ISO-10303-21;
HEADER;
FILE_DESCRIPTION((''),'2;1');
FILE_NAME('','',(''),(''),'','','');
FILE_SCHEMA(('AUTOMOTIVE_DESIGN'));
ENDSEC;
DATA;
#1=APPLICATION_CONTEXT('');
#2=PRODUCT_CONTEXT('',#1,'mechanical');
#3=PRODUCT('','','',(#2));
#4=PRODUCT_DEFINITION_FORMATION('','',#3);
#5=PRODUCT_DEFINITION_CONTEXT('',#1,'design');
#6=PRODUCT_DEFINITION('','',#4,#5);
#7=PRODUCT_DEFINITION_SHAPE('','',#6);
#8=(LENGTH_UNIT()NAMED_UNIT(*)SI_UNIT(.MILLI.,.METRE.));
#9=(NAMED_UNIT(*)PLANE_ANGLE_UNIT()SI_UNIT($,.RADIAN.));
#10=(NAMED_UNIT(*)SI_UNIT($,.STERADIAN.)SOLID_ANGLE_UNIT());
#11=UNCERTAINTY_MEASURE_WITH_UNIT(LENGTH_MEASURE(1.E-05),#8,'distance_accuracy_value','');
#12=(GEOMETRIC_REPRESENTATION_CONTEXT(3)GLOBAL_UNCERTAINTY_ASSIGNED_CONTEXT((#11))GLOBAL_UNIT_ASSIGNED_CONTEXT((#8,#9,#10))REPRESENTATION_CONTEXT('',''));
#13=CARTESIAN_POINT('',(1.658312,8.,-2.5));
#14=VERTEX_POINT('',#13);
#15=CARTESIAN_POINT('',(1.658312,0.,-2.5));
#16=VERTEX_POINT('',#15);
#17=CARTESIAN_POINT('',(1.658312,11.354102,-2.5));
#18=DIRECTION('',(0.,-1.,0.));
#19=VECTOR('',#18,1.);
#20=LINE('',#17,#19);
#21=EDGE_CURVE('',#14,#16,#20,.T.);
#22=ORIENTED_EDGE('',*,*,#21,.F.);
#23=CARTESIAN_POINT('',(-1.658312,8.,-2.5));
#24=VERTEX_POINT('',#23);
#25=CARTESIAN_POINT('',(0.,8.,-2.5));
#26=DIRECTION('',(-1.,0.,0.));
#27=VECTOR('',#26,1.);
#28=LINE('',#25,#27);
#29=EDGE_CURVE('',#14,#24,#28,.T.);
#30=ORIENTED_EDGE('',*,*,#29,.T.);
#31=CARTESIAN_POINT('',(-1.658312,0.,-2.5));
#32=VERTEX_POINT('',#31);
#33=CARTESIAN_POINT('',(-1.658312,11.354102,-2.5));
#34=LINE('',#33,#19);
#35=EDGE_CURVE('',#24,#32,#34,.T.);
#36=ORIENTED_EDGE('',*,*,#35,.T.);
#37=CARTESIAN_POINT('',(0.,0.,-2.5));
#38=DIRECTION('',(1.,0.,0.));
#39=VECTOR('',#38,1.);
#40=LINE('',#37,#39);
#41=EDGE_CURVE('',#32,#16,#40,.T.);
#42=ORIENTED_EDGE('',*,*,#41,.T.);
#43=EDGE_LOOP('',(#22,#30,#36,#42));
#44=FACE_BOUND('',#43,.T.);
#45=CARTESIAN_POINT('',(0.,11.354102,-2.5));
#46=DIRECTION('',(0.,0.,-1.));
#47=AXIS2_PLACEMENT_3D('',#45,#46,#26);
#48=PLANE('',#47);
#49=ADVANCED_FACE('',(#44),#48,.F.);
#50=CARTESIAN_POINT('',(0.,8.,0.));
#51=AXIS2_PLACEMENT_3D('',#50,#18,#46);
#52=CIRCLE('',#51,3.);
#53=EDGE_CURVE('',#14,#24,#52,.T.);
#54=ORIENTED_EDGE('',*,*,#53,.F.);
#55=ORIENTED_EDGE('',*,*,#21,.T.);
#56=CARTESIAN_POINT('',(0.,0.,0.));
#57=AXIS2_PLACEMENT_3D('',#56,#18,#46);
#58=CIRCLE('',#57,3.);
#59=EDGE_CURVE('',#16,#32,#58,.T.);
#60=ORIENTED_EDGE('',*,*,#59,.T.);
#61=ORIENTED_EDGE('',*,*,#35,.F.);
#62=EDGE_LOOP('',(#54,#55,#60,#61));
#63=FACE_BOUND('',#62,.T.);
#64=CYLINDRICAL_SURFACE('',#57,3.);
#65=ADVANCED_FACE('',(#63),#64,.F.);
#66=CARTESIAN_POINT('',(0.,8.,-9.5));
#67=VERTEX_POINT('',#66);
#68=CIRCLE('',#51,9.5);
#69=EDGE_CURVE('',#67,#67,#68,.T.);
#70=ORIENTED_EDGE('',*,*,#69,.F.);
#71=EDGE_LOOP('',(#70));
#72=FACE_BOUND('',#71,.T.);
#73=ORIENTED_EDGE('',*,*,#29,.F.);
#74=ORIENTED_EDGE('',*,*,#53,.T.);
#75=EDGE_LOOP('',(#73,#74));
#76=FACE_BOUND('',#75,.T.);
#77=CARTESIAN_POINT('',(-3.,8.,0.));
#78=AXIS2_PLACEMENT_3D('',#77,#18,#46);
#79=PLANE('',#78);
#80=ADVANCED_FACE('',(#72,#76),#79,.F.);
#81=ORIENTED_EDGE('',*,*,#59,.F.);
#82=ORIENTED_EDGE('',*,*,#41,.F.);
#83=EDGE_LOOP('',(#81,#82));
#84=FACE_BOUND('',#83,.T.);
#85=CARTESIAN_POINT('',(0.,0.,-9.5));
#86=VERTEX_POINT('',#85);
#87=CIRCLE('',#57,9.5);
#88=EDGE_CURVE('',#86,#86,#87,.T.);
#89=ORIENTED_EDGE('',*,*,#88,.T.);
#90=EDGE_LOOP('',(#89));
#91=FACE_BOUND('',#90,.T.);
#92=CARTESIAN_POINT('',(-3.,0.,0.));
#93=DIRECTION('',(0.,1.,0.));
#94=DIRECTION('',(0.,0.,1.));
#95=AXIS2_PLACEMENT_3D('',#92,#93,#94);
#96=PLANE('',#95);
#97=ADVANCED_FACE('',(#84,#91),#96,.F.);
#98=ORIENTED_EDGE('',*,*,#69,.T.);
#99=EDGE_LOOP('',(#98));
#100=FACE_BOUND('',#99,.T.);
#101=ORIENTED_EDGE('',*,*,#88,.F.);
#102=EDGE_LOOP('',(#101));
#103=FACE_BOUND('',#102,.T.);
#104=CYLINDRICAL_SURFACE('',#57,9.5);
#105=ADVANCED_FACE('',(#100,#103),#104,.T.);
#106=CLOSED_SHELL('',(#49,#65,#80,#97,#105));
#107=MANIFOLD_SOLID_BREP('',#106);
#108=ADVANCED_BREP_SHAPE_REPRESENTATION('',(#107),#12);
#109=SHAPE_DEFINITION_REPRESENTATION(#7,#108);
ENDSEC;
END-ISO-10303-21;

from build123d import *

# Parameters (mm, degrees)
SKETCH_1_W      = 6.5
SKETCH_1_H      = 8
EXTRUDE_1_DEPTH = 8


with BuildPart() as part:
    # 草图1 → 旋转1 (revolve)
    with BuildSketch(Plane.XY, mode=Mode.PRIVATE) as revolve_1_sk:
        with Locations((-6.25, 4)):
            Rectangle(SKETCH_1_W, SKETCH_1_H)
    revolve(revolve_1_sk.sketch.rotate(Axis((0, 0, 0), (0, 1, 0)), 270), axis=Axis((0, 0, 0), (0, 1, 0)))

    # 草图2 → 凸台-拉伸1 (add)
    with BuildSketch(Plane.XZ):
        with BuildLine():
            Line((1.658312395, -2.5), (-1.658312395, -2.5))
            ThreePointArc((-1.658312395, -2.5), (0, -3), (1.658312395, -2.5))
        make_face()
    extrude(amount=-EXTRUDE_1_DEPTH)


solid = part.part
